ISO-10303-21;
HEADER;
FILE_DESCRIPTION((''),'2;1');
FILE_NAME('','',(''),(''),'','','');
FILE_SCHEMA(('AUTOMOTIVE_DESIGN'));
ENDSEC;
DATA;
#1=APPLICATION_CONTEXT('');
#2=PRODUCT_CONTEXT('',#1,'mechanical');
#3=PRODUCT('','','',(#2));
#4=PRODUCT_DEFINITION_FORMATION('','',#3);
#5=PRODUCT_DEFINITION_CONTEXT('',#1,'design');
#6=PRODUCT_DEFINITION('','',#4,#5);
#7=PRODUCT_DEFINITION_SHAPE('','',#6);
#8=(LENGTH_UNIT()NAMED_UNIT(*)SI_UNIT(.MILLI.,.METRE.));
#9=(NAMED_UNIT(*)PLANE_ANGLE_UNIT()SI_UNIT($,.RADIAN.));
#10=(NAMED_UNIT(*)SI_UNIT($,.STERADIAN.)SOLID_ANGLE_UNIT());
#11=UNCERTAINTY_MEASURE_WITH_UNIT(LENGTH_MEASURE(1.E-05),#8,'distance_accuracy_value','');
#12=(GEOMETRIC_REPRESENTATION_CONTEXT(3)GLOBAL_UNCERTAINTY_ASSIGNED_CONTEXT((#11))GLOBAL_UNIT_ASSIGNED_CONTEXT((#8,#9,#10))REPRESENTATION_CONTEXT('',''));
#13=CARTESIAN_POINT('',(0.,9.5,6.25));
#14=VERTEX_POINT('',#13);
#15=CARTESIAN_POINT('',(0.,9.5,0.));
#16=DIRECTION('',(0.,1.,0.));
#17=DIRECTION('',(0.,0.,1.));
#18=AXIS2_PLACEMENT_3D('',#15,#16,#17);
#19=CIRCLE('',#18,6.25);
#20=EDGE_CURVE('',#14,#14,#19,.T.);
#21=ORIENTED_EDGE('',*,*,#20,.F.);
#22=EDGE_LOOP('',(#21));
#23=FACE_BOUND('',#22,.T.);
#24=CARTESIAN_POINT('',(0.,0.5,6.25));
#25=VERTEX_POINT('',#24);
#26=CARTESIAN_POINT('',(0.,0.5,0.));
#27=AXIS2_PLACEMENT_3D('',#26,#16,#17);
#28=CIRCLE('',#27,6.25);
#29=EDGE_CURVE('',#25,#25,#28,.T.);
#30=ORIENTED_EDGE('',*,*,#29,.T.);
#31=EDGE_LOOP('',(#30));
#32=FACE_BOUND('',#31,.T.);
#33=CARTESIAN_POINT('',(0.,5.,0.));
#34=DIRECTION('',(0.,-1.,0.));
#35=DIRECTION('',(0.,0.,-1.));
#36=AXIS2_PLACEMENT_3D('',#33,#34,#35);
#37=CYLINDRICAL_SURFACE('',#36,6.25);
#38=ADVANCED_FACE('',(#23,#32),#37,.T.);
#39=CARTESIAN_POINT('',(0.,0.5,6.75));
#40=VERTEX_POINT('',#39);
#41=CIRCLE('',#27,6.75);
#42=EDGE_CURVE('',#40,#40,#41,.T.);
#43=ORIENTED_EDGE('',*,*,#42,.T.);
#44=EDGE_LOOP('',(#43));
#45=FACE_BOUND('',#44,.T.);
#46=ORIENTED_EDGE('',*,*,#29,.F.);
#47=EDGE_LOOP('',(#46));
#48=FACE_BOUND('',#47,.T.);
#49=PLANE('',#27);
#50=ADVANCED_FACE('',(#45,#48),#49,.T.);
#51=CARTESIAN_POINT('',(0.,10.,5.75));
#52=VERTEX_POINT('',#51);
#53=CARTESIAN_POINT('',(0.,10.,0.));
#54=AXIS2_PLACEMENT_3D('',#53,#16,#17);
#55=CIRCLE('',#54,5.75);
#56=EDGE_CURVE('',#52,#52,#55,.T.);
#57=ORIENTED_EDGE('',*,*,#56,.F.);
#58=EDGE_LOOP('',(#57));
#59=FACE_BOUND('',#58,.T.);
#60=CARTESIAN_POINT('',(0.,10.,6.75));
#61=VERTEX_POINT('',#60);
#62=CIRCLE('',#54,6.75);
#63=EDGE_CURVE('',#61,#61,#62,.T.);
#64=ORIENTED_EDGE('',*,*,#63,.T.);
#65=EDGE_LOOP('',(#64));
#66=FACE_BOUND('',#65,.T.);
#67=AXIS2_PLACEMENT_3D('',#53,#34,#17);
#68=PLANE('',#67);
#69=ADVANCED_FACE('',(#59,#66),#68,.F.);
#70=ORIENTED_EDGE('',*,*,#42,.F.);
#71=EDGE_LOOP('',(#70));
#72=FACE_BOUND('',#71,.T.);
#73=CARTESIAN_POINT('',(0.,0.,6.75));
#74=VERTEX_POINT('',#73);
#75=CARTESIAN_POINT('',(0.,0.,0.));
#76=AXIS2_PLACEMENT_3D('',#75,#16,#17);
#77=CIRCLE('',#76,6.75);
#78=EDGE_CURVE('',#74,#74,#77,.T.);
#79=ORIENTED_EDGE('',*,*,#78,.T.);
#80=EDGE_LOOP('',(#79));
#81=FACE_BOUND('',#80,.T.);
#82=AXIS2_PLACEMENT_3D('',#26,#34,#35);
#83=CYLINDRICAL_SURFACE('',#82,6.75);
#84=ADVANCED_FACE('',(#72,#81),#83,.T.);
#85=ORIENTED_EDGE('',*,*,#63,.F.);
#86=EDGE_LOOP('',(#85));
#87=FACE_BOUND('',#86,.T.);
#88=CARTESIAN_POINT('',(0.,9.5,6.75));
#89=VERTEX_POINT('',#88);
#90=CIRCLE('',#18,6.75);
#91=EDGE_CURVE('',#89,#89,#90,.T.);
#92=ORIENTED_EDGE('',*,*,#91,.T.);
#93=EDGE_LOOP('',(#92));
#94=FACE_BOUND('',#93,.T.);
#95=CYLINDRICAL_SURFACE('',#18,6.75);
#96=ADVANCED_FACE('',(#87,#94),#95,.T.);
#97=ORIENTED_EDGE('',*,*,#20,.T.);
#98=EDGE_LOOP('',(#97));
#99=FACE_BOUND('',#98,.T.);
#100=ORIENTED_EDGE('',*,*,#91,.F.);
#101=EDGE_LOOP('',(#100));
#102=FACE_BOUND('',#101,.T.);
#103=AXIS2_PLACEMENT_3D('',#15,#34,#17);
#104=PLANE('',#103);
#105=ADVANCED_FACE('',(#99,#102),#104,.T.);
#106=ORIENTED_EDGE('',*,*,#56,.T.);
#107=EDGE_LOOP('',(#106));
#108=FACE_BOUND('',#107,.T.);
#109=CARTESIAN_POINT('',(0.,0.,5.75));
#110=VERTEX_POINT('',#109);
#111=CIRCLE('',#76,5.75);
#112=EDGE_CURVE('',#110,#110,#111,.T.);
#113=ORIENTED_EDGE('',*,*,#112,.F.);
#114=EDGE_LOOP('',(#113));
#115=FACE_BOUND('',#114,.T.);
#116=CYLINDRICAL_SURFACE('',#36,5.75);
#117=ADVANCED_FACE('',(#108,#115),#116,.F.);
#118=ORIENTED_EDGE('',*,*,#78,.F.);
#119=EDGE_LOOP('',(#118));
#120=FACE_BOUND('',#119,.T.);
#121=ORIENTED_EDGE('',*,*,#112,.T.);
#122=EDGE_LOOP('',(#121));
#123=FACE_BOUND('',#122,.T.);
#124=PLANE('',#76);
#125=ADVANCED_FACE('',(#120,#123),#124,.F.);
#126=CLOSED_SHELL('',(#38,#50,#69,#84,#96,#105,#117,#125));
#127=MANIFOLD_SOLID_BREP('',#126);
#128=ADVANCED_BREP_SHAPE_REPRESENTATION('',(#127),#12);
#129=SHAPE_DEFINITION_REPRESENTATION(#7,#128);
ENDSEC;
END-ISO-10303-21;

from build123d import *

# Parameters (mm, degrees)
SKETCH1_R           = 6.25
SKETCH1_R_2         = 5.75
BOSS_EXTRUDE1_DEPTH = 5
SKETCH1_3_R         = 6.75
SKETCH1_3_R_2       = 6.25
BOSS_EXTRUDE2_DEPTH = 0.5


with BuildPart() as part:
    # Sketch1 → Boss-Extrude1 (new body)
    with BuildSketch(Plane(origin=(0, 0, 0), x_dir=(1, 0, 0), z_dir=(0, 1, 0))):
        Circle(SKETCH1_R)
        Circle(SKETCH1_R_2, mode=Mode.SUBTRACT)
    boss_extrude1 = extrude(amount=BOSS_EXTRUDE1_DEPTH)

    # Sketch1<3> → Boss-Extrude2 (add)
    with BuildSketch(Plane(origin=(0, 0, 0), x_dir=(1, 0, 0), z_dir=(0, 1, 0))):
        Circle(SKETCH1_3_R)
        Circle(SKETCH1_3_R_2, mode=Mode.SUBTRACT)
    boss_extrude2 = extrude(amount=BOSS_EXTRUDE2_DEPTH)

    # Mirror1: Boss-Extrude1, Boss-Extrude2 across plane
    add(boss_extrude1.mirror(Plane.ZX.offset(5)))
    add(boss_extrude2.mirror(Plane.ZX.offset(5)))


solid = part.part
